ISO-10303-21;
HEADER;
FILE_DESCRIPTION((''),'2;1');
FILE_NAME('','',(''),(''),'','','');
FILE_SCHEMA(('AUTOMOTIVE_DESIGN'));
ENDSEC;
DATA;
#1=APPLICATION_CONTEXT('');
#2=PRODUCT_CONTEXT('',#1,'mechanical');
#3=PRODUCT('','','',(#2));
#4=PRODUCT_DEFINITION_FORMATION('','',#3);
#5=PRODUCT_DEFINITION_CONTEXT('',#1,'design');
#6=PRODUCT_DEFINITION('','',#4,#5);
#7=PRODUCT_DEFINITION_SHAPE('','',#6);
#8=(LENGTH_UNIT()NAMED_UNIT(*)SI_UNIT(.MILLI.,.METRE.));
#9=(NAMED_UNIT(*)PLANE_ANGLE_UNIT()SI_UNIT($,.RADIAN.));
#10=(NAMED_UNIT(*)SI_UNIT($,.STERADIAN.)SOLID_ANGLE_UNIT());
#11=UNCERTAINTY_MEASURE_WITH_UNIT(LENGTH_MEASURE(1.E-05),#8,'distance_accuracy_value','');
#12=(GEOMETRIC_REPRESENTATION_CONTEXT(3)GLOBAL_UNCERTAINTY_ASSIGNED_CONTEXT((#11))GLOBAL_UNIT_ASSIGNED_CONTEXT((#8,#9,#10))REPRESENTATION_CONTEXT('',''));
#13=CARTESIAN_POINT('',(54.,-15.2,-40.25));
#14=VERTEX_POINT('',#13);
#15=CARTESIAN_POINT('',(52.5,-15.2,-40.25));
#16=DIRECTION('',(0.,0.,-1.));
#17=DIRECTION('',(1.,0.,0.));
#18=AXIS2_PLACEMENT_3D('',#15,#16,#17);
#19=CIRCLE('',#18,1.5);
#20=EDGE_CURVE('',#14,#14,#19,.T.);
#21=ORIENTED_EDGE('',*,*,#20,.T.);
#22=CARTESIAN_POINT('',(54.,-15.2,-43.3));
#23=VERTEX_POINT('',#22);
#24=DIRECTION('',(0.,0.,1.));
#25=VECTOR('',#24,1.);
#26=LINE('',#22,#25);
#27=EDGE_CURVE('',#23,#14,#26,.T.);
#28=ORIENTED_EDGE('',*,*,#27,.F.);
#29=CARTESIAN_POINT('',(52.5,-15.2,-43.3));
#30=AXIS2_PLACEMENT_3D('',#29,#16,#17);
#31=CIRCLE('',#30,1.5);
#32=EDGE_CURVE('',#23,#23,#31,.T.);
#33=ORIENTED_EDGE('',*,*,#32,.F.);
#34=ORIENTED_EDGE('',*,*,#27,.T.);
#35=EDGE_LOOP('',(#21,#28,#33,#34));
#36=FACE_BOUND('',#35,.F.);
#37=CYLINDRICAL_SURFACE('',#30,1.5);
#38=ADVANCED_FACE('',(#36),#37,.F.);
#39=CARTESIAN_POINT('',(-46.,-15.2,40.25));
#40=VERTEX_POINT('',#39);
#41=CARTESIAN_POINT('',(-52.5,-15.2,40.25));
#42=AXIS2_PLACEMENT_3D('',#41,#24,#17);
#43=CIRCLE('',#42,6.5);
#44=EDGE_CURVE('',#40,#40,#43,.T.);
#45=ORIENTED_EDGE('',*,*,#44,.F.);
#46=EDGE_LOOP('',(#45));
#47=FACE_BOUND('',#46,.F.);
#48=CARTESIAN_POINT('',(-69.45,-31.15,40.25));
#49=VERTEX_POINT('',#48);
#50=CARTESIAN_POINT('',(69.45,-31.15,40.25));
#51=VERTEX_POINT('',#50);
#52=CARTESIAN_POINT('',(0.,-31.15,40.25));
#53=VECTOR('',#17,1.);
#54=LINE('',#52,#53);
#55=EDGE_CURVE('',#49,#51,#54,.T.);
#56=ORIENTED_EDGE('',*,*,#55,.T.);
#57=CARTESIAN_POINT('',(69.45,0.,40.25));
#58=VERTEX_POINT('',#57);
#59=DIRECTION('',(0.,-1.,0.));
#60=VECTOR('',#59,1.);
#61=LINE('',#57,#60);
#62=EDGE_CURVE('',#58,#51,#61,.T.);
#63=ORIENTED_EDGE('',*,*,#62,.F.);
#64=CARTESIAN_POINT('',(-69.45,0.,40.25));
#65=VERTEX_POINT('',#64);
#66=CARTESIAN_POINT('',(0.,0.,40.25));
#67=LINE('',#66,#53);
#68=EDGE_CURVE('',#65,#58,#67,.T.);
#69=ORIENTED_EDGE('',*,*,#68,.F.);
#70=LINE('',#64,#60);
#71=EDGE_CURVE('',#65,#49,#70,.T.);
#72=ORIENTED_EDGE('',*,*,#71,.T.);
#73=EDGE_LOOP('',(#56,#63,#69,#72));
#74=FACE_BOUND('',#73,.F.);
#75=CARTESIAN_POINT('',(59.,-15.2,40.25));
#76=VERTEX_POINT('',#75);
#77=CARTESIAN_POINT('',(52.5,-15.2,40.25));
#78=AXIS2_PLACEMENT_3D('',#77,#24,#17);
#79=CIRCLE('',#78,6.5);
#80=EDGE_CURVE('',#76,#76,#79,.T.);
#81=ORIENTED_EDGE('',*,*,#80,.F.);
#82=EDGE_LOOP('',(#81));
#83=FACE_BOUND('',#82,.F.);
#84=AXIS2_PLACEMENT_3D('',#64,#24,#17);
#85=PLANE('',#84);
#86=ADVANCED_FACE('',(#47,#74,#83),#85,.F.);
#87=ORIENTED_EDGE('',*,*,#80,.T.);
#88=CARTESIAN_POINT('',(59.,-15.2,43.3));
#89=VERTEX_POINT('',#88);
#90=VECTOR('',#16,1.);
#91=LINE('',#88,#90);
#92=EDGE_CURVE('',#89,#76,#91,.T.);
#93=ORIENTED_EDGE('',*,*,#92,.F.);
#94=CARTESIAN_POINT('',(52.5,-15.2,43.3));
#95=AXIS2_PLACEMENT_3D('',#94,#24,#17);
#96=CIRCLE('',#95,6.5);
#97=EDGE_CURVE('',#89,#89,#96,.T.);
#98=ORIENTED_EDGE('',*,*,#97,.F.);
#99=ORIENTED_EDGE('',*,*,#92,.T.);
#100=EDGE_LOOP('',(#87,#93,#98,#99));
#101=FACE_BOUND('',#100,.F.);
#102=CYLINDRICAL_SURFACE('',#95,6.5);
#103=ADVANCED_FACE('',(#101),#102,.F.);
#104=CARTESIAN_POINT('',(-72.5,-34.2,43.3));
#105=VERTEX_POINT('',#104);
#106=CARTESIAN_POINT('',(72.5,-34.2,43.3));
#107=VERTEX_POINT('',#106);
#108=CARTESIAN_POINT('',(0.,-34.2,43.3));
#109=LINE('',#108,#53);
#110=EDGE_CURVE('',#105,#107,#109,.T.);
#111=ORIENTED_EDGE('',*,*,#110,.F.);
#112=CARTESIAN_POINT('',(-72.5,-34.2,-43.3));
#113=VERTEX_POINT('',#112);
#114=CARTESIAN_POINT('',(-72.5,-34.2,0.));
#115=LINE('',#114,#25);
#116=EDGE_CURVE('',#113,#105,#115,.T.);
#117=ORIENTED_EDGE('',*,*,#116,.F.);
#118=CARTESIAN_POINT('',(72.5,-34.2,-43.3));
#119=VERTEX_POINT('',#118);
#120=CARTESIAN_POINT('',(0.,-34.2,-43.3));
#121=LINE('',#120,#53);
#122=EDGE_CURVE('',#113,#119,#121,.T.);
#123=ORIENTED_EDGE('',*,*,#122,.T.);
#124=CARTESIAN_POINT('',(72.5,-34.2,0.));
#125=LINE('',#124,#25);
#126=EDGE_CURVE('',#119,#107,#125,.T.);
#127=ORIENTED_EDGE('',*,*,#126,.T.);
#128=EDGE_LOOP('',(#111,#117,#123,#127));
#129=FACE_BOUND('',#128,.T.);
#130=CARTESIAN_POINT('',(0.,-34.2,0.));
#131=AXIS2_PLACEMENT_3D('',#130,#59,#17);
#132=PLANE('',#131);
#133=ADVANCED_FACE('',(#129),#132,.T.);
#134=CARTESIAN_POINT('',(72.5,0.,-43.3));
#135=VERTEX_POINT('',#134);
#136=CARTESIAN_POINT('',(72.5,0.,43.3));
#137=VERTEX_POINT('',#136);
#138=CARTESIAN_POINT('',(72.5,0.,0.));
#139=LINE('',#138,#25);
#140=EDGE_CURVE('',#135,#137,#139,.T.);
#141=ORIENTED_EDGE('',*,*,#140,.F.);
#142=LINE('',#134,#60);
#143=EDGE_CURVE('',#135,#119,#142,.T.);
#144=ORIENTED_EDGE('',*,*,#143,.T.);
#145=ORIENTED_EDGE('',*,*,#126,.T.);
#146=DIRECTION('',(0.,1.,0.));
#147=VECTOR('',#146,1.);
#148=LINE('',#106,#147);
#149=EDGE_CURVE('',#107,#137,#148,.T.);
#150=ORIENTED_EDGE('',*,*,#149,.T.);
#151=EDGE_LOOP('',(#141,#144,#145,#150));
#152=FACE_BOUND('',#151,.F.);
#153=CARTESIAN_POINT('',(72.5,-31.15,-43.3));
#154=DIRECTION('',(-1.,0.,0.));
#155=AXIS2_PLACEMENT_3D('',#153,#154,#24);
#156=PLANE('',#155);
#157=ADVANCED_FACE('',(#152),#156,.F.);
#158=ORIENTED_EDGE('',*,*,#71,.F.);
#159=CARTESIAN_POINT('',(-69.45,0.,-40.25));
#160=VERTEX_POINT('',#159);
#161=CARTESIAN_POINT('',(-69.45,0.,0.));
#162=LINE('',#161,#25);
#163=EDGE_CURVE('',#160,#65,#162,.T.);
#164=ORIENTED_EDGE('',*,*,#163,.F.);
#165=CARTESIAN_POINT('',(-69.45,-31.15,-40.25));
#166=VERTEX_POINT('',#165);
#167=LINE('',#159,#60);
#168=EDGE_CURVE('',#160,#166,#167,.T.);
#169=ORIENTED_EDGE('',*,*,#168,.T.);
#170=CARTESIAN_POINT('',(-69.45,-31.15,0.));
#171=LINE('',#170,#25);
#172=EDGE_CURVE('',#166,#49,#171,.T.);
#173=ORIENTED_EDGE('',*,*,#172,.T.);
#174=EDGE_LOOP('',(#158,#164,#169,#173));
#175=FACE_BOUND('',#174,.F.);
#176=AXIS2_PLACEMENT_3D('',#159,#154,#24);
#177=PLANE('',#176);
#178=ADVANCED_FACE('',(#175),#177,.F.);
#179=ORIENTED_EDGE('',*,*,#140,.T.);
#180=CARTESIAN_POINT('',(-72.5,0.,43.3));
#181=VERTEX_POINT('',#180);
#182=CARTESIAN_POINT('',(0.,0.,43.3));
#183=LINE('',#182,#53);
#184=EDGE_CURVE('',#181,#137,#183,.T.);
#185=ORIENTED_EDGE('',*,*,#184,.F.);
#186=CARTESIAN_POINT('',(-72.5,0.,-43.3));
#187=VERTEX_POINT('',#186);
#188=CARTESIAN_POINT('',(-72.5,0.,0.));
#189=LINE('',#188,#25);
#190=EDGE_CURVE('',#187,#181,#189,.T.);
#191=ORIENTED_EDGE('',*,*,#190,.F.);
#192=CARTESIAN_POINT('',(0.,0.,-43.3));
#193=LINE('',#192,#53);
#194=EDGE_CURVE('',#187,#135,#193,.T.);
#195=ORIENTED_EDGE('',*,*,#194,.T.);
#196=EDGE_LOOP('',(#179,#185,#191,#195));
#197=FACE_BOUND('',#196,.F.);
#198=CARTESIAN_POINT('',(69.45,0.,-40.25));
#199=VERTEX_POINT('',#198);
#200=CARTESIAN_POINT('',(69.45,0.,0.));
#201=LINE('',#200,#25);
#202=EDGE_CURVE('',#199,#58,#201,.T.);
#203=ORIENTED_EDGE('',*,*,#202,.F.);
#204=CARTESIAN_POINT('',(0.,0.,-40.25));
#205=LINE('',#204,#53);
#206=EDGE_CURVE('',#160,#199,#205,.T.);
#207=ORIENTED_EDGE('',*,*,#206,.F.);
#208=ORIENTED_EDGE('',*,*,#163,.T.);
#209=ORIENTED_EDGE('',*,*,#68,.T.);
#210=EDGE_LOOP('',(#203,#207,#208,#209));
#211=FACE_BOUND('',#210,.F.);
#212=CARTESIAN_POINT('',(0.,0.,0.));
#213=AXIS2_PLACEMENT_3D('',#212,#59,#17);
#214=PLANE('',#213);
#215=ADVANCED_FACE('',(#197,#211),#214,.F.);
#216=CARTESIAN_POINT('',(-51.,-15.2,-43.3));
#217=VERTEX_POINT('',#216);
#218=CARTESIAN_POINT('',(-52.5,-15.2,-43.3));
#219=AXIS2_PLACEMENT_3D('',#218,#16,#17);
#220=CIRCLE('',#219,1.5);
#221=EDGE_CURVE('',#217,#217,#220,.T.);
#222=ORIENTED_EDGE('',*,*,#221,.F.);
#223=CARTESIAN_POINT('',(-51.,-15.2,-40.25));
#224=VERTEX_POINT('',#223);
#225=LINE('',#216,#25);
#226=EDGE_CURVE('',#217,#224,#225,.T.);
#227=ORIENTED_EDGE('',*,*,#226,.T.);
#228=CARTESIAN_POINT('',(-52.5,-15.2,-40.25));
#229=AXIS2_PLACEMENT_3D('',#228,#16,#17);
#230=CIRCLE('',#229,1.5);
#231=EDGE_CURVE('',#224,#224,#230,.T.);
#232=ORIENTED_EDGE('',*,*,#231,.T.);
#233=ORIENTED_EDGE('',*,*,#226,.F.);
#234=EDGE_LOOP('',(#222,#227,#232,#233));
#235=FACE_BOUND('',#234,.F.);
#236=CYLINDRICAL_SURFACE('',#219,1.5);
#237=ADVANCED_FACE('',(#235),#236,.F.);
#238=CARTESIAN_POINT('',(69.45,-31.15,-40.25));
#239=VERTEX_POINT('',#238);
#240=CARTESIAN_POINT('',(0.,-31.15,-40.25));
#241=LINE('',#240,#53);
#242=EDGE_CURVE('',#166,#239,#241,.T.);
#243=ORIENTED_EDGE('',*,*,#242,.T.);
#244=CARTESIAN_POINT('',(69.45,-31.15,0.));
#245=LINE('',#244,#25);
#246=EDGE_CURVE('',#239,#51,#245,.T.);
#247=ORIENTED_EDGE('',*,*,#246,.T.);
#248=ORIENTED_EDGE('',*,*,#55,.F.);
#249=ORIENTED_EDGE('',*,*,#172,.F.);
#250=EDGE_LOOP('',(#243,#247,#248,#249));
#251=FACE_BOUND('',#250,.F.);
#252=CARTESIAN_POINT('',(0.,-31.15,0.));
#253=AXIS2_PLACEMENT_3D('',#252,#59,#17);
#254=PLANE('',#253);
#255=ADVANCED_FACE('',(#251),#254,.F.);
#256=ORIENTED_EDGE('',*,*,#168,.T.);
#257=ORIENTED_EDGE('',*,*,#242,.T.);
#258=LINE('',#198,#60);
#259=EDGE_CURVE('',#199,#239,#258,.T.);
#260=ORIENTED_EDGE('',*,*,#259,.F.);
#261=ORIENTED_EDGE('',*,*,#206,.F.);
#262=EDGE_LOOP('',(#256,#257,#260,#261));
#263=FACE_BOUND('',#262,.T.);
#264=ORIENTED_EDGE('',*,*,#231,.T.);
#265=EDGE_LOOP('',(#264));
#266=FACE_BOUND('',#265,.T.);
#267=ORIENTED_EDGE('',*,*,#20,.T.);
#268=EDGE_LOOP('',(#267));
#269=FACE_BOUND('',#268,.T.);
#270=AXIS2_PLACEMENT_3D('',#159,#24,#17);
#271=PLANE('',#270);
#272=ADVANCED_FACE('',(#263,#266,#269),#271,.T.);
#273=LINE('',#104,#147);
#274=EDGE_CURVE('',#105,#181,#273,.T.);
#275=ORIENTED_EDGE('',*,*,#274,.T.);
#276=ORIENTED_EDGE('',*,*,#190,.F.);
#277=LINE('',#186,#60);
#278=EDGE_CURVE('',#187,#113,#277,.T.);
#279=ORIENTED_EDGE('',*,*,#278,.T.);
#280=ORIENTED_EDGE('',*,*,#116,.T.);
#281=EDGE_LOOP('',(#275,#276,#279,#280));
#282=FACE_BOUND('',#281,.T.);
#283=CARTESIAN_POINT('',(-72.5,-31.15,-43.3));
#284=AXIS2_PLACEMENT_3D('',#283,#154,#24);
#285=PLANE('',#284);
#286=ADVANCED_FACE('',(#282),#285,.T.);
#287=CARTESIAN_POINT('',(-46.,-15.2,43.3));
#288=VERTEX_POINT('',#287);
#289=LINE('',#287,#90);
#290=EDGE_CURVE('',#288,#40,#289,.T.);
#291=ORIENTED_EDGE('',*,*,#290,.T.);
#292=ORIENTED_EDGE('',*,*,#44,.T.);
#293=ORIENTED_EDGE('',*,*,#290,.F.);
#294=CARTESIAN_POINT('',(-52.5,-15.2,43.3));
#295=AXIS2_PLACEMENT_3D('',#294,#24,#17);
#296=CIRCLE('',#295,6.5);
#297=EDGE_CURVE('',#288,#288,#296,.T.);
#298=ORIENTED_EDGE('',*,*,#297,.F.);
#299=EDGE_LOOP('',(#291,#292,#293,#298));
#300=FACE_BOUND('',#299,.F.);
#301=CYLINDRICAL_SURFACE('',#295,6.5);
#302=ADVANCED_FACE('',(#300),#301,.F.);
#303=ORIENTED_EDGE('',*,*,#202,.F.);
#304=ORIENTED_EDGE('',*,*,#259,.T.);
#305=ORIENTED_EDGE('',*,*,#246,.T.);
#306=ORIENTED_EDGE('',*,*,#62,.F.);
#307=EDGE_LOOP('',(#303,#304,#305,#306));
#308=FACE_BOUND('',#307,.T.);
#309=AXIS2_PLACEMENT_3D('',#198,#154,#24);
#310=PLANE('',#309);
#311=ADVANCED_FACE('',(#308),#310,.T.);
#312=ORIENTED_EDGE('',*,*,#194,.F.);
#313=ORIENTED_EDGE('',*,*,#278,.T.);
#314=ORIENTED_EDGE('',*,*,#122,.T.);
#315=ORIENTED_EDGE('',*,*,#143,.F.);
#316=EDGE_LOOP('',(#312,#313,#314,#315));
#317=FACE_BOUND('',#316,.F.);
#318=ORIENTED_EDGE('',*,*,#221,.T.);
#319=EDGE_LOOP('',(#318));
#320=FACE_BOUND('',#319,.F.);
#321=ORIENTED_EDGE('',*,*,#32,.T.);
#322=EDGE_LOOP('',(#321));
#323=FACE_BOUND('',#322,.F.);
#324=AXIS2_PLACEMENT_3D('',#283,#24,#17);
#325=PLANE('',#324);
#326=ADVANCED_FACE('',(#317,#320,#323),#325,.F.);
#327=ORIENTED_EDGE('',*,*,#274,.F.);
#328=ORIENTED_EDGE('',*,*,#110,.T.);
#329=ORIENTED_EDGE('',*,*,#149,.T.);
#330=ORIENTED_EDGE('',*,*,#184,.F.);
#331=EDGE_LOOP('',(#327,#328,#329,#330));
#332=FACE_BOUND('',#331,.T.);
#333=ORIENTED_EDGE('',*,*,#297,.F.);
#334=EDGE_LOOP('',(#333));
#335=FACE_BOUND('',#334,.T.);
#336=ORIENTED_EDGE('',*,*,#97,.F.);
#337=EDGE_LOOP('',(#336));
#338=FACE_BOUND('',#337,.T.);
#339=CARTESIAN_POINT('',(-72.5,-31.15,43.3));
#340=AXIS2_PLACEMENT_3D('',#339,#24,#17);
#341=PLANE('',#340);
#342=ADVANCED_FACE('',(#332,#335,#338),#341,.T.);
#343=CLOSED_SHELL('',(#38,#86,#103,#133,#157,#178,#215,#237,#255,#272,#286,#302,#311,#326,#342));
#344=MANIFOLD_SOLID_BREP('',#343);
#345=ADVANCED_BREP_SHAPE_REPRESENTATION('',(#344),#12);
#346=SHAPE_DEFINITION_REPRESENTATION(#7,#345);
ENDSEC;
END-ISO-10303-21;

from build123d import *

# Parameters (mm, degrees)
F0_W     = 145
F0_H     = 86.6
F0_W_2   = 138.9
F0_H_2   = 80.5
F1_DEPTH = 31.15
F2_W     = 145
F2_H     = 86.6
F3_DEPTH = 3.05
F4_R     = 6.5
F5_DEPTH = 25
F6_R     = 1.5
F7_DEPTH = 25


with BuildPart() as f1:
    # F0 (on Front) → F1 (new body)
    with BuildSketch(Plane.XZ):
        Rectangle(F0_W, F0_H)
        Rectangle(F0_W_2, F0_H_2, mode=Mode.SUBTRACT)
    extrude(amount=F1_DEPTH)

    # F2 (on face) → F3 (join)
    with BuildSketch(Plane.XZ.offset(31.15)):
        Rectangle(F2_W, F2_H)
    extrude(amount=F3_DEPTH)

    # F4 (on face) → F5 (cut)
    with BuildSketch(Plane.XY.offset(43.3)):
        with Locations((-52.5, -15.2)):
            Circle(F4_R)
        with Locations((52.5, -15.2)):
            Circle(F4_R)
    extrude(amount=-F5_DEPTH, mode=Mode.SUBTRACT)

    # F6 (on face) → F7 (cut)
    with BuildSketch(Plane(origin=(0, 0, -43.3), x_dir=(1, 0, 0), z_dir=(0, 0, -1))):
        with Locations((-52.5, 15.2)):
            Circle(F6_R)
        with Locations((52.5, 15.2)):
            Circle(F6_R)
    extrude(amount=-F7_DEPTH, mode=Mode.SUBTRACT)


solid = f1.part
